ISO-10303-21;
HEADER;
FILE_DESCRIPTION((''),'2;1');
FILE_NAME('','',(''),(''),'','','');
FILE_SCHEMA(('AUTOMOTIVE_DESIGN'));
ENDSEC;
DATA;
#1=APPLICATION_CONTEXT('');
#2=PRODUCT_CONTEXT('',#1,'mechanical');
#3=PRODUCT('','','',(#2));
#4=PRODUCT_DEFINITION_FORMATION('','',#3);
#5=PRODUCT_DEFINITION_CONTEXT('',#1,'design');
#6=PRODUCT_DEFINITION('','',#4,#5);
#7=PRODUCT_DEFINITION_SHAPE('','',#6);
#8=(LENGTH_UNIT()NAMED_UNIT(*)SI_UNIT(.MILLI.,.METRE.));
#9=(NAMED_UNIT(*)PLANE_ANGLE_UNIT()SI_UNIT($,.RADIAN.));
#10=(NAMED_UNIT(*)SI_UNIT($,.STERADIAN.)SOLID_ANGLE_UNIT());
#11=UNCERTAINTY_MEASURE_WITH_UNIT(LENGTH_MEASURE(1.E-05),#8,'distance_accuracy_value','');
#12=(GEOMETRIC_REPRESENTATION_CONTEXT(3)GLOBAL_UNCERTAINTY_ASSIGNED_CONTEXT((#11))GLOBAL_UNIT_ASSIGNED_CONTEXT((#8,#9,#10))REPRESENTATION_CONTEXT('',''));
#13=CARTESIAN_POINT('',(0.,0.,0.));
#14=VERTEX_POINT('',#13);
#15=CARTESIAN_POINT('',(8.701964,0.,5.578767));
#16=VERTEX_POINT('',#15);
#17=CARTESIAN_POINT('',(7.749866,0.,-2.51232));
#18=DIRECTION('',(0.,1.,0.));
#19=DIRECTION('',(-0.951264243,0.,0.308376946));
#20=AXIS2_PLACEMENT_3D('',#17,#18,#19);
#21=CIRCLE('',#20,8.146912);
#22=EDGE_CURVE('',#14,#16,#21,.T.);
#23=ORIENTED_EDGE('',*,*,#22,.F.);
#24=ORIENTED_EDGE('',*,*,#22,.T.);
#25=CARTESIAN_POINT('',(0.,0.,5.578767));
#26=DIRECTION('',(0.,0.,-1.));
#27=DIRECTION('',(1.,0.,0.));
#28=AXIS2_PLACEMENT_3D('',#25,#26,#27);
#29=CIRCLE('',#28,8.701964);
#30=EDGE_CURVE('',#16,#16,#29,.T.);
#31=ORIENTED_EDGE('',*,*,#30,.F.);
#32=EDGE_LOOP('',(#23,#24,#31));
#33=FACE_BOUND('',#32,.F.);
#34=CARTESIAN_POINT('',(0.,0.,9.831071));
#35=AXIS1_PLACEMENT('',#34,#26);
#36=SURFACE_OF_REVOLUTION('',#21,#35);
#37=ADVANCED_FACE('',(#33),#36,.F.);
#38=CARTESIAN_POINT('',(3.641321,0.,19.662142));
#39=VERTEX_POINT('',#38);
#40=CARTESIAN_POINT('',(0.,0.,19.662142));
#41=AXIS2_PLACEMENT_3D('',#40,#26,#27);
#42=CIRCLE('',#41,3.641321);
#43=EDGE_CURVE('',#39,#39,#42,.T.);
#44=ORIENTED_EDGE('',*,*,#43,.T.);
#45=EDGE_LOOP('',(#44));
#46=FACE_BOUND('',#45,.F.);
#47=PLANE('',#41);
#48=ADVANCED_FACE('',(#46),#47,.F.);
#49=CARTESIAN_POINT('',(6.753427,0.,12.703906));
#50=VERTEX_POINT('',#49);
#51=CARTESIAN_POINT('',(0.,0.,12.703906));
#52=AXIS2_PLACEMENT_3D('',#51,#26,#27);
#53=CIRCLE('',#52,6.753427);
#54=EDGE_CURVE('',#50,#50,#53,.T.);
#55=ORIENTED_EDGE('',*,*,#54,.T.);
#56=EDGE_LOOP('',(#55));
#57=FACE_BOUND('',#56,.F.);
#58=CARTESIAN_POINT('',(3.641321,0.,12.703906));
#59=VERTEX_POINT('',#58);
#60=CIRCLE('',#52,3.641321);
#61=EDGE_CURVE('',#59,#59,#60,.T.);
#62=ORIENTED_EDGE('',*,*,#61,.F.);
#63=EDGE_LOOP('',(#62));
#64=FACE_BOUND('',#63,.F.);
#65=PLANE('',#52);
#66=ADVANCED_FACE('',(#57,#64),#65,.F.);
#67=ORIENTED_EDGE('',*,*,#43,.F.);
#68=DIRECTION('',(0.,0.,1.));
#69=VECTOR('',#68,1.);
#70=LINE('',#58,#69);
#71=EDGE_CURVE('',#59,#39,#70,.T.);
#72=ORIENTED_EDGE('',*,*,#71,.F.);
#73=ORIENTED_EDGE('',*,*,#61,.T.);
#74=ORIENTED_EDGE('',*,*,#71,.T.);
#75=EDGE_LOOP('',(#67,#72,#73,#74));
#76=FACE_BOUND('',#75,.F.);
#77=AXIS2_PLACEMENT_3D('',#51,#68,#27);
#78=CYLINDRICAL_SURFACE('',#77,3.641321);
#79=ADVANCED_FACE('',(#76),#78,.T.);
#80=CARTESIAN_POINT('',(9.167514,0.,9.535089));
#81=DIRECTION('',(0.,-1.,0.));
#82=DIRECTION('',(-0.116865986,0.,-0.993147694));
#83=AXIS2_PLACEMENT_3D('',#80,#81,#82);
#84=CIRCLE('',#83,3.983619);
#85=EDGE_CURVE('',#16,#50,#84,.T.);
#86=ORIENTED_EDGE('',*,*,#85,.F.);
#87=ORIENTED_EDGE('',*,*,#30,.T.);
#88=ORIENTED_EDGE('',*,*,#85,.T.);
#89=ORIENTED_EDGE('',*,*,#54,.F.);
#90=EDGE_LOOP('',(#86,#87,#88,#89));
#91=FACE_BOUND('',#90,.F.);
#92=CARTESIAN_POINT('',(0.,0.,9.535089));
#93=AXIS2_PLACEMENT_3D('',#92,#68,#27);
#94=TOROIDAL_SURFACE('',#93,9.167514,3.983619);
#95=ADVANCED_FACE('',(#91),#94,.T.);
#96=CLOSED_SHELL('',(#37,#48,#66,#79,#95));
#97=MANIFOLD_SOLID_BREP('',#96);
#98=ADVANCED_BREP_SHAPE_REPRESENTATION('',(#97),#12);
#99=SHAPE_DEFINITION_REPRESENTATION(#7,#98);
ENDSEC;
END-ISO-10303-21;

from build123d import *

# Parameters (mm, degrees)
F1_FACE_R = 3.641321
F2_DEPTH  = 50.8


with BuildPart() as f1:
    # F0 (on Front) → F1 (revolve)
    with BuildSketch(Plane.XZ):
        with BuildLine():
            ThreePointArc((0, 0), (3.352927, 4.346186), (8.701964, 5.578767))
            ThreePointArc((8.701964, 5.578767), (13.010036, 10.585916), (6.753427, 12.703906))
            Line((6.753427, 12.703906), (3.641321, 12.703906))
            Line((3.641321, 12.703906), (3.641321, 19.662142))
            Line((3.641321, 19.662142), (0, 19.662142))
            Line((0, 19.662142), (0, 0))
        make_face()
    revolve(axis=Axis((0, 0, 9.831071), (0, 0, -1)))

    # F1_face (on face) → F2 (cut)
    with BuildSketch(Plane.XY.offset(19.662142)):
        Circle(F1_FACE_R)
    extrude(amount=F2_DEPTH, mode=Mode.SUBTRACT)


solid = f1.part
